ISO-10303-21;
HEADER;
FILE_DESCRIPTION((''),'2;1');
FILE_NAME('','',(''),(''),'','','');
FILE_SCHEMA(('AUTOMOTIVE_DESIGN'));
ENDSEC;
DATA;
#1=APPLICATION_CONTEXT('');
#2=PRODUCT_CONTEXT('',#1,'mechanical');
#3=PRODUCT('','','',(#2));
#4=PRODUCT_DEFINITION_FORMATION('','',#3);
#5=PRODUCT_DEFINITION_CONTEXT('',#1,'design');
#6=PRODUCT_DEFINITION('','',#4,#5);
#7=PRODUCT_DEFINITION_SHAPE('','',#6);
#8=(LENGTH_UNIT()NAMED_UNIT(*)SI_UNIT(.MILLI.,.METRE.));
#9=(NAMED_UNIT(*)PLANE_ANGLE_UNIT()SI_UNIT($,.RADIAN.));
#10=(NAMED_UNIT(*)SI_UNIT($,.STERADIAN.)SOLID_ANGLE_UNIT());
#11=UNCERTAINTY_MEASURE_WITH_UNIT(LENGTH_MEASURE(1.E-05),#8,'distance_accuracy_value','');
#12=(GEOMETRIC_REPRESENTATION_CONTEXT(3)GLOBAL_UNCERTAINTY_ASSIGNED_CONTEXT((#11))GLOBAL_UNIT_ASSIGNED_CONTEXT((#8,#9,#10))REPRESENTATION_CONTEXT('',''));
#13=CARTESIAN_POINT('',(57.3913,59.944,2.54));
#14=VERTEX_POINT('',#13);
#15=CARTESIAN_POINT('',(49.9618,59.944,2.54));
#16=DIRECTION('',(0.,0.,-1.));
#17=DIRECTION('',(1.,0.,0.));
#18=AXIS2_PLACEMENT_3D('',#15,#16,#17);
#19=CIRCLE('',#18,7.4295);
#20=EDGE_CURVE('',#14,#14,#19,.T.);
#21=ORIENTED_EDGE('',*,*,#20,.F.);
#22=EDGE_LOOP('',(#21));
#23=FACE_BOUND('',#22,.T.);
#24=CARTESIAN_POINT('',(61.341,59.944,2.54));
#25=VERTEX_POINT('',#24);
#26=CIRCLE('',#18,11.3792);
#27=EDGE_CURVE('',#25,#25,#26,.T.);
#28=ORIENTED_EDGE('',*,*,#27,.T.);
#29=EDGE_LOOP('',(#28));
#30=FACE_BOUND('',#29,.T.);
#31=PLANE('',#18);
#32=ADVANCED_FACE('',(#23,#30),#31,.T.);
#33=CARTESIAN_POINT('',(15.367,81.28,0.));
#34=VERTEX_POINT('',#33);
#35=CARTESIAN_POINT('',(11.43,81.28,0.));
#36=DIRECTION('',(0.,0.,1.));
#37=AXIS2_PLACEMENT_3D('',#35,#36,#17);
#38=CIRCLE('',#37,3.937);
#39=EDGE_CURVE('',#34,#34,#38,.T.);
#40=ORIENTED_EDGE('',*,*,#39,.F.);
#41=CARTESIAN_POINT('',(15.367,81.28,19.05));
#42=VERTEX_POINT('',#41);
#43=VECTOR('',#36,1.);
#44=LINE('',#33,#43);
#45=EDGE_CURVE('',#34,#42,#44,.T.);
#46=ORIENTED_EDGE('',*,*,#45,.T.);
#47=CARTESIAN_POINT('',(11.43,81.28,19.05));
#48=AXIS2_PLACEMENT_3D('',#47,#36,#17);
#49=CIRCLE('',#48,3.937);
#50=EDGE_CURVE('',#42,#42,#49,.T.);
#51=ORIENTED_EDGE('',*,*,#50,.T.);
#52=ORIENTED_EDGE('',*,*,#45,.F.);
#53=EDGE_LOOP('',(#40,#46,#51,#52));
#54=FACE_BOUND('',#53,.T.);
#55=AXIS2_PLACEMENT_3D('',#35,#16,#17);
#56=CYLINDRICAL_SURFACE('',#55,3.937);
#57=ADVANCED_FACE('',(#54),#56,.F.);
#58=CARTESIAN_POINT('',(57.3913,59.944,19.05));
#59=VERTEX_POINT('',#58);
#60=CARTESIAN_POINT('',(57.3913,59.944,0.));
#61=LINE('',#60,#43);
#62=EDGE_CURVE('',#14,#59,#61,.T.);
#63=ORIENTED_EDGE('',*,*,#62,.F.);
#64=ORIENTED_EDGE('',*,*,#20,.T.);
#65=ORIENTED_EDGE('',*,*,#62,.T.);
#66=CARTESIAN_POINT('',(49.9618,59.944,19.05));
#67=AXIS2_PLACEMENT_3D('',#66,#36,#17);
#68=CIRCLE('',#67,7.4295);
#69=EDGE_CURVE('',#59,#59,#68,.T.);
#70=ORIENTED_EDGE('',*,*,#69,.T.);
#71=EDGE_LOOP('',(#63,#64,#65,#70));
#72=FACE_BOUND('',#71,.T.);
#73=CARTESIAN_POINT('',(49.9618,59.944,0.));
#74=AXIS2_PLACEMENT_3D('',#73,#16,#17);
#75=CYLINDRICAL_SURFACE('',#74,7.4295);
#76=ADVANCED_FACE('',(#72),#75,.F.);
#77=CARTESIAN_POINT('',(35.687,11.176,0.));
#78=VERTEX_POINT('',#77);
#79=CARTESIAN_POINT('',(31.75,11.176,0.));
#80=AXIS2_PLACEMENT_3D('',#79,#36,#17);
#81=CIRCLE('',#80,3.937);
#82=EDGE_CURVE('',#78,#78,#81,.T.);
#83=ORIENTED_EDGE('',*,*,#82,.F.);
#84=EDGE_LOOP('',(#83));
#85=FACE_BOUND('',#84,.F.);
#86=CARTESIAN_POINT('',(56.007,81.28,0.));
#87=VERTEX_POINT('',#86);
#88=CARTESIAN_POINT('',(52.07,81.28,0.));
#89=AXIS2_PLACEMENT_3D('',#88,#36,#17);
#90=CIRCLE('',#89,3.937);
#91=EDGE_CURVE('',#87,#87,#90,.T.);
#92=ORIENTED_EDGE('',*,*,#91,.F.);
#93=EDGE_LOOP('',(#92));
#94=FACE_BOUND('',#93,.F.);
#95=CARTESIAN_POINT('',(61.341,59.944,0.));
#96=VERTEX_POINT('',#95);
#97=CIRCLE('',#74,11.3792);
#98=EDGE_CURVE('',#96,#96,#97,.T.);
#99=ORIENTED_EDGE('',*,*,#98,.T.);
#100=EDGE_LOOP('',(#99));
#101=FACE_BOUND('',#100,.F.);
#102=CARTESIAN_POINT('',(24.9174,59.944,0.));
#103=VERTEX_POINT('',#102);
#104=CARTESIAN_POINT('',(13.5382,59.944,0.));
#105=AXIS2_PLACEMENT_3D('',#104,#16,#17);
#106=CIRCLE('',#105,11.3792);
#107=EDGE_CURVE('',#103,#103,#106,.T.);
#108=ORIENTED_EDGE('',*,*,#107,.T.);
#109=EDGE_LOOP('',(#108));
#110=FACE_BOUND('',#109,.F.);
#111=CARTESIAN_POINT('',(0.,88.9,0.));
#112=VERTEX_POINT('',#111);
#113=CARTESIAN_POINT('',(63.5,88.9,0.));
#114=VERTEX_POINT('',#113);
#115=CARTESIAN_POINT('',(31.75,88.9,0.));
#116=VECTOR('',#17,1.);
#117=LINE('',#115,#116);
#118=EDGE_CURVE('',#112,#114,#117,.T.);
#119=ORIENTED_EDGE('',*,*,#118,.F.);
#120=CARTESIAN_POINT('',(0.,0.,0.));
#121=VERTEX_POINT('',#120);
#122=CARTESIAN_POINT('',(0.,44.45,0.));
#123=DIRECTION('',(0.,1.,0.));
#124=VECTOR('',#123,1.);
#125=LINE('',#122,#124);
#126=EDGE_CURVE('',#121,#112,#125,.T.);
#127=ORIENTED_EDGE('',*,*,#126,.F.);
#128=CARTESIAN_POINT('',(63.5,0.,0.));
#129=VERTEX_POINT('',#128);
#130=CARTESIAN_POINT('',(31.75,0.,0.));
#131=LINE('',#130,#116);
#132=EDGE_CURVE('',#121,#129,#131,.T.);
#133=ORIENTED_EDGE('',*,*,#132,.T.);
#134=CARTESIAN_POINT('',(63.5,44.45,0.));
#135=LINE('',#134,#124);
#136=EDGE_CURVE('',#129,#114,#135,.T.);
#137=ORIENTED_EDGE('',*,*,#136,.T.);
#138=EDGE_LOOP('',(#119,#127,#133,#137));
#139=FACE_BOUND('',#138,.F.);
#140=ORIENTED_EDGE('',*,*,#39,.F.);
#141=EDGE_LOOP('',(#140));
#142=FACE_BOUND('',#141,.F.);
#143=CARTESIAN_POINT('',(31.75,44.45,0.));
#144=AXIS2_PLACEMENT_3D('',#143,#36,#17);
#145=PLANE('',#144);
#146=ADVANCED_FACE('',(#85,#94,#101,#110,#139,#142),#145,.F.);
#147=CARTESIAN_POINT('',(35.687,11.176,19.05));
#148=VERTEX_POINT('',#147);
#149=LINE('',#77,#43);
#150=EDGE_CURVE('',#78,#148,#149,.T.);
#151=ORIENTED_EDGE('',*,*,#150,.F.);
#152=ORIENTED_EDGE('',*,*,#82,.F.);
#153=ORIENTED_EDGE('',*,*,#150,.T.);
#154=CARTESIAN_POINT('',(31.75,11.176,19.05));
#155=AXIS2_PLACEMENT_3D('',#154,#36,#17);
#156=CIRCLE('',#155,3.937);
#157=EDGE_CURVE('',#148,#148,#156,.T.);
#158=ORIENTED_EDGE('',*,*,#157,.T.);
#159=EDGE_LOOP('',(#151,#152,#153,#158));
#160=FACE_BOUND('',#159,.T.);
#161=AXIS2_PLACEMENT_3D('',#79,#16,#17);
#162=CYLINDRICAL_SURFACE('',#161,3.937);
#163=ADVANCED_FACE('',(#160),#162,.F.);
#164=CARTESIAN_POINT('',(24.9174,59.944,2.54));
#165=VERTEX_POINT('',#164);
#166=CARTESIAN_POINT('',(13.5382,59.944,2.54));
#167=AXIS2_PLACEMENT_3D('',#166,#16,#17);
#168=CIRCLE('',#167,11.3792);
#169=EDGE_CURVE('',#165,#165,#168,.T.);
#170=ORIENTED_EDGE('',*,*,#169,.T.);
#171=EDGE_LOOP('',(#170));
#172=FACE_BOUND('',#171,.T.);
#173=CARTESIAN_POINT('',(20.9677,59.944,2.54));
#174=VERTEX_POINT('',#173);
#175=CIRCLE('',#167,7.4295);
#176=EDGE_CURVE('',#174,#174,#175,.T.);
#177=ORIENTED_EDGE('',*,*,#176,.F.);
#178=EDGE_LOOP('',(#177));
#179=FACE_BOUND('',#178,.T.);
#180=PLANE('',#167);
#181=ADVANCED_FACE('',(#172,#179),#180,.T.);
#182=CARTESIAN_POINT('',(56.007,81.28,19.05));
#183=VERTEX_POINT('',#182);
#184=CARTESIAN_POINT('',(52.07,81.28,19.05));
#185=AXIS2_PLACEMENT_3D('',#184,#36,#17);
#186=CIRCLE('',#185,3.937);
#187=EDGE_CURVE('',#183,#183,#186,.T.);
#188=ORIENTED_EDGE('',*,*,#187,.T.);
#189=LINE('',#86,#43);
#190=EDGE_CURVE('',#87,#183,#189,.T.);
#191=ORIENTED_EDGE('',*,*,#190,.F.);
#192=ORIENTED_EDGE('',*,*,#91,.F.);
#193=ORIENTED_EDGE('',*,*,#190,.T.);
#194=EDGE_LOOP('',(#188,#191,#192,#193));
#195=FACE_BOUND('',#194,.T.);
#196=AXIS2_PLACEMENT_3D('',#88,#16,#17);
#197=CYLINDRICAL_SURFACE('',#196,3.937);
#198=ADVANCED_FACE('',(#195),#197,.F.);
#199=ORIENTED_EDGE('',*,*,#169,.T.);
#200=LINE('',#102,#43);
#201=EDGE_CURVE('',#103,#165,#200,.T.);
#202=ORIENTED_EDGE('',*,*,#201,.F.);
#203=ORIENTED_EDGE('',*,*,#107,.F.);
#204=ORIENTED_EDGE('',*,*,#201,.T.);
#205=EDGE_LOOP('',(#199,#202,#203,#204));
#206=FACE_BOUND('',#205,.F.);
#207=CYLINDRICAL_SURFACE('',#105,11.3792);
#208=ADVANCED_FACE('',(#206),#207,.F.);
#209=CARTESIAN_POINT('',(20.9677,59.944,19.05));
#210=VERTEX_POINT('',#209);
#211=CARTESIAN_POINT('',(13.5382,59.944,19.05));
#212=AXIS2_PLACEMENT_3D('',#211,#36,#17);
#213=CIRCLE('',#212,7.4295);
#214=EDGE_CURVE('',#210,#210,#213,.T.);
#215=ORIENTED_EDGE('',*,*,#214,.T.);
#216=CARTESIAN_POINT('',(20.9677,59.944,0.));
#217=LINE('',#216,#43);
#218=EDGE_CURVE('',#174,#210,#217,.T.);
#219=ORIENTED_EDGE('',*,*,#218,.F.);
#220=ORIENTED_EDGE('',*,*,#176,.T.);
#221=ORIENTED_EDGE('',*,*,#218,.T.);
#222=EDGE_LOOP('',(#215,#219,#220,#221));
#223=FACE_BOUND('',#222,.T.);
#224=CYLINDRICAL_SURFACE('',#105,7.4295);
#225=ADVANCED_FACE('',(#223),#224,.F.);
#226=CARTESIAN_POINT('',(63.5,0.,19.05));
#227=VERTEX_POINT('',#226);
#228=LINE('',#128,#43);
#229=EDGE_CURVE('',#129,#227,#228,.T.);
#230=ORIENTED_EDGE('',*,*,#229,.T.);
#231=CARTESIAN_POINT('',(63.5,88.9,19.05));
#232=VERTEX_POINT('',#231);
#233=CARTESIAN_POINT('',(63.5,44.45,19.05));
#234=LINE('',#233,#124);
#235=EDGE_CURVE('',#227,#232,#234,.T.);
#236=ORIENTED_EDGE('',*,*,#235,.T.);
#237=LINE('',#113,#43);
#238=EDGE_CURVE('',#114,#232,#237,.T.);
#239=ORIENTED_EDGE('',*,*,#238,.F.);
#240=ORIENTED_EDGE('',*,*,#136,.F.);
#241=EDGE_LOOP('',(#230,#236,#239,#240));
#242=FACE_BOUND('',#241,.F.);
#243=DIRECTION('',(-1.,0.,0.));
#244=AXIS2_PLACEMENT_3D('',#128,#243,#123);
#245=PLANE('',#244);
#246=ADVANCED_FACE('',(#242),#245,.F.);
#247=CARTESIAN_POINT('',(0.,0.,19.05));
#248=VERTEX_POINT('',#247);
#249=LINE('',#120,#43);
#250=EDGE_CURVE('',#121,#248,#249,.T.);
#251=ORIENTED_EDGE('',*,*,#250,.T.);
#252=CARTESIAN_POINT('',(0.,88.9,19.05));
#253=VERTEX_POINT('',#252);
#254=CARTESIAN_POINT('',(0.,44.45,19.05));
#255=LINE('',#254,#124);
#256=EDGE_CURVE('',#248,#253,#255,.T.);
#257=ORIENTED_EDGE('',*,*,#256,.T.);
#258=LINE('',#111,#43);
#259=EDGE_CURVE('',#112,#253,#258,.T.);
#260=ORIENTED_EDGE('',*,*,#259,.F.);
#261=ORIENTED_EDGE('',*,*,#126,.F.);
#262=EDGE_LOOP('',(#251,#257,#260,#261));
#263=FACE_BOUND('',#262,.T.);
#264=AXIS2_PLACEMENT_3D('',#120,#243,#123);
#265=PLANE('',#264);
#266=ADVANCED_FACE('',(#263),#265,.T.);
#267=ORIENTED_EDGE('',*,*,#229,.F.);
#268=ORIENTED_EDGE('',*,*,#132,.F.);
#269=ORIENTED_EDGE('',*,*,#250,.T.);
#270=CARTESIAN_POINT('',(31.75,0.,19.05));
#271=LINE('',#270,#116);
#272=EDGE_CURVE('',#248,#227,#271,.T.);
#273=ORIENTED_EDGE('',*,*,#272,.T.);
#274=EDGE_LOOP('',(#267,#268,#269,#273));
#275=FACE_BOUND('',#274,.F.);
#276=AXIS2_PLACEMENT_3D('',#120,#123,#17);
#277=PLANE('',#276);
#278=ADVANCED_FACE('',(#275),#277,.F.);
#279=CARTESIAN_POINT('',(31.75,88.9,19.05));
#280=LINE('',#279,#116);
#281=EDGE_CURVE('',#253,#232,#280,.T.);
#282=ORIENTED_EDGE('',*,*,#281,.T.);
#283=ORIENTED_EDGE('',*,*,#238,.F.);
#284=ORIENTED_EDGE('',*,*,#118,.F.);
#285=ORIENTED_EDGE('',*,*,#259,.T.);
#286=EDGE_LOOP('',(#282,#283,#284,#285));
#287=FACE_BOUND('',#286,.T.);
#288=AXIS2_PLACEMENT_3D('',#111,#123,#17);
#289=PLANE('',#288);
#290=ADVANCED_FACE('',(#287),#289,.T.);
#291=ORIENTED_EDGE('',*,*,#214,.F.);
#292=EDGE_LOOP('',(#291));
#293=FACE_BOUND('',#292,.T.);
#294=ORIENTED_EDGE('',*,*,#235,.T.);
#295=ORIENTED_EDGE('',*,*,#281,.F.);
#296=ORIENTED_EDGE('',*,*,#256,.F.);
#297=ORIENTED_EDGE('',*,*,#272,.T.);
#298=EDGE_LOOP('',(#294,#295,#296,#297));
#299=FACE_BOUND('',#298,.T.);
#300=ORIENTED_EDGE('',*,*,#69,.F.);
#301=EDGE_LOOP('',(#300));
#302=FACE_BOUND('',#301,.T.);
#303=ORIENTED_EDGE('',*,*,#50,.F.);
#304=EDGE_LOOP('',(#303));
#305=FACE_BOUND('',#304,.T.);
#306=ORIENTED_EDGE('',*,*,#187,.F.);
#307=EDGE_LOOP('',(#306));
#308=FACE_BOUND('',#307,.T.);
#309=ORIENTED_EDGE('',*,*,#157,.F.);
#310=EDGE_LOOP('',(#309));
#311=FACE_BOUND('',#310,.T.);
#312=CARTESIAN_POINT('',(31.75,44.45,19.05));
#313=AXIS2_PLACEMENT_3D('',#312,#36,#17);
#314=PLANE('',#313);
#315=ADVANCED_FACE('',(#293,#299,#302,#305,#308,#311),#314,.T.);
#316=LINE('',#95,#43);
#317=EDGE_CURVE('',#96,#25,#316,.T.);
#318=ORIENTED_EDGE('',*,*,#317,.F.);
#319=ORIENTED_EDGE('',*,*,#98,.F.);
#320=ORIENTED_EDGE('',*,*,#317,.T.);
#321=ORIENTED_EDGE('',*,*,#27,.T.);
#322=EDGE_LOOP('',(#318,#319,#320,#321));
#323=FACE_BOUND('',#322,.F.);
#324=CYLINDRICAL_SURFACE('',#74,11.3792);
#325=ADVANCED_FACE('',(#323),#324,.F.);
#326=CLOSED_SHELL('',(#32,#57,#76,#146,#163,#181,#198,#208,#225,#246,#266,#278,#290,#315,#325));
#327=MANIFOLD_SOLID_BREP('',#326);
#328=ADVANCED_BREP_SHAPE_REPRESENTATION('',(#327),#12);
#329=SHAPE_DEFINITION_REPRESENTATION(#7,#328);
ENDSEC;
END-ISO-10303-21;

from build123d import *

# Parameters (mm, degrees)
F0_W     = 63.5
F0_H     = 88.9
F0_R     = 3.937
F0_R_2   = 7.4295
F1_DEPTH = 19.05
F2_R     = 11.3792
F2_R_2   = 7.4295
F3_DEPTH = 2.54


with BuildPart() as f1:
    # F0 (on Top) → F1 (new body)
    with BuildSketch(Plane.XY):
        with Locations((31.75, 44.45)):
            Rectangle(F0_W, F0_H)
        with Locations((31.75, 11.176)):
            Circle(F0_R, mode=Mode.SUBTRACT)
        with Locations((13.5382, 59.944)):
            Circle(F0_R_2, mode=Mode.SUBTRACT)
        with Locations((11.43, 81.28)):
            Circle(F0_R, mode=Mode.SUBTRACT)
        with Locations((49.9618, 59.944)):
            Circle(F0_R_2, mode=Mode.SUBTRACT)
        with Locations((52.07, 81.28)):
            Circle(F0_R, mode=Mode.SUBTRACT)
    extrude(amount=F1_DEPTH)

    # F2 (on face) → F3 (cut)
    with BuildSketch(Plane(origin=(0, 0, 0), x_dir=(1, 0, 0), z_dir=(0, 0, -1))):
        with Locations((49.9618, -59.944)):
            Circle(F2_R)
        with Locations((49.9618, -59.944)):
            Circle(F2_R_2, mode=Mode.SUBTRACT)
        with Locations((13.5382, -59.944)):
            Circle(F2_R)
        with Locations((13.5382, -59.944)):
            Circle(F2_R_2, mode=Mode.SUBTRACT)
    extrude(amount=-F3_DEPTH, mode=Mode.SUBTRACT)


with BuildPart() as f4_1:
    # F4: copy of F1
    add(f1.part.moved(Location((-152.4, 0, 0))))


solid = f1.part
